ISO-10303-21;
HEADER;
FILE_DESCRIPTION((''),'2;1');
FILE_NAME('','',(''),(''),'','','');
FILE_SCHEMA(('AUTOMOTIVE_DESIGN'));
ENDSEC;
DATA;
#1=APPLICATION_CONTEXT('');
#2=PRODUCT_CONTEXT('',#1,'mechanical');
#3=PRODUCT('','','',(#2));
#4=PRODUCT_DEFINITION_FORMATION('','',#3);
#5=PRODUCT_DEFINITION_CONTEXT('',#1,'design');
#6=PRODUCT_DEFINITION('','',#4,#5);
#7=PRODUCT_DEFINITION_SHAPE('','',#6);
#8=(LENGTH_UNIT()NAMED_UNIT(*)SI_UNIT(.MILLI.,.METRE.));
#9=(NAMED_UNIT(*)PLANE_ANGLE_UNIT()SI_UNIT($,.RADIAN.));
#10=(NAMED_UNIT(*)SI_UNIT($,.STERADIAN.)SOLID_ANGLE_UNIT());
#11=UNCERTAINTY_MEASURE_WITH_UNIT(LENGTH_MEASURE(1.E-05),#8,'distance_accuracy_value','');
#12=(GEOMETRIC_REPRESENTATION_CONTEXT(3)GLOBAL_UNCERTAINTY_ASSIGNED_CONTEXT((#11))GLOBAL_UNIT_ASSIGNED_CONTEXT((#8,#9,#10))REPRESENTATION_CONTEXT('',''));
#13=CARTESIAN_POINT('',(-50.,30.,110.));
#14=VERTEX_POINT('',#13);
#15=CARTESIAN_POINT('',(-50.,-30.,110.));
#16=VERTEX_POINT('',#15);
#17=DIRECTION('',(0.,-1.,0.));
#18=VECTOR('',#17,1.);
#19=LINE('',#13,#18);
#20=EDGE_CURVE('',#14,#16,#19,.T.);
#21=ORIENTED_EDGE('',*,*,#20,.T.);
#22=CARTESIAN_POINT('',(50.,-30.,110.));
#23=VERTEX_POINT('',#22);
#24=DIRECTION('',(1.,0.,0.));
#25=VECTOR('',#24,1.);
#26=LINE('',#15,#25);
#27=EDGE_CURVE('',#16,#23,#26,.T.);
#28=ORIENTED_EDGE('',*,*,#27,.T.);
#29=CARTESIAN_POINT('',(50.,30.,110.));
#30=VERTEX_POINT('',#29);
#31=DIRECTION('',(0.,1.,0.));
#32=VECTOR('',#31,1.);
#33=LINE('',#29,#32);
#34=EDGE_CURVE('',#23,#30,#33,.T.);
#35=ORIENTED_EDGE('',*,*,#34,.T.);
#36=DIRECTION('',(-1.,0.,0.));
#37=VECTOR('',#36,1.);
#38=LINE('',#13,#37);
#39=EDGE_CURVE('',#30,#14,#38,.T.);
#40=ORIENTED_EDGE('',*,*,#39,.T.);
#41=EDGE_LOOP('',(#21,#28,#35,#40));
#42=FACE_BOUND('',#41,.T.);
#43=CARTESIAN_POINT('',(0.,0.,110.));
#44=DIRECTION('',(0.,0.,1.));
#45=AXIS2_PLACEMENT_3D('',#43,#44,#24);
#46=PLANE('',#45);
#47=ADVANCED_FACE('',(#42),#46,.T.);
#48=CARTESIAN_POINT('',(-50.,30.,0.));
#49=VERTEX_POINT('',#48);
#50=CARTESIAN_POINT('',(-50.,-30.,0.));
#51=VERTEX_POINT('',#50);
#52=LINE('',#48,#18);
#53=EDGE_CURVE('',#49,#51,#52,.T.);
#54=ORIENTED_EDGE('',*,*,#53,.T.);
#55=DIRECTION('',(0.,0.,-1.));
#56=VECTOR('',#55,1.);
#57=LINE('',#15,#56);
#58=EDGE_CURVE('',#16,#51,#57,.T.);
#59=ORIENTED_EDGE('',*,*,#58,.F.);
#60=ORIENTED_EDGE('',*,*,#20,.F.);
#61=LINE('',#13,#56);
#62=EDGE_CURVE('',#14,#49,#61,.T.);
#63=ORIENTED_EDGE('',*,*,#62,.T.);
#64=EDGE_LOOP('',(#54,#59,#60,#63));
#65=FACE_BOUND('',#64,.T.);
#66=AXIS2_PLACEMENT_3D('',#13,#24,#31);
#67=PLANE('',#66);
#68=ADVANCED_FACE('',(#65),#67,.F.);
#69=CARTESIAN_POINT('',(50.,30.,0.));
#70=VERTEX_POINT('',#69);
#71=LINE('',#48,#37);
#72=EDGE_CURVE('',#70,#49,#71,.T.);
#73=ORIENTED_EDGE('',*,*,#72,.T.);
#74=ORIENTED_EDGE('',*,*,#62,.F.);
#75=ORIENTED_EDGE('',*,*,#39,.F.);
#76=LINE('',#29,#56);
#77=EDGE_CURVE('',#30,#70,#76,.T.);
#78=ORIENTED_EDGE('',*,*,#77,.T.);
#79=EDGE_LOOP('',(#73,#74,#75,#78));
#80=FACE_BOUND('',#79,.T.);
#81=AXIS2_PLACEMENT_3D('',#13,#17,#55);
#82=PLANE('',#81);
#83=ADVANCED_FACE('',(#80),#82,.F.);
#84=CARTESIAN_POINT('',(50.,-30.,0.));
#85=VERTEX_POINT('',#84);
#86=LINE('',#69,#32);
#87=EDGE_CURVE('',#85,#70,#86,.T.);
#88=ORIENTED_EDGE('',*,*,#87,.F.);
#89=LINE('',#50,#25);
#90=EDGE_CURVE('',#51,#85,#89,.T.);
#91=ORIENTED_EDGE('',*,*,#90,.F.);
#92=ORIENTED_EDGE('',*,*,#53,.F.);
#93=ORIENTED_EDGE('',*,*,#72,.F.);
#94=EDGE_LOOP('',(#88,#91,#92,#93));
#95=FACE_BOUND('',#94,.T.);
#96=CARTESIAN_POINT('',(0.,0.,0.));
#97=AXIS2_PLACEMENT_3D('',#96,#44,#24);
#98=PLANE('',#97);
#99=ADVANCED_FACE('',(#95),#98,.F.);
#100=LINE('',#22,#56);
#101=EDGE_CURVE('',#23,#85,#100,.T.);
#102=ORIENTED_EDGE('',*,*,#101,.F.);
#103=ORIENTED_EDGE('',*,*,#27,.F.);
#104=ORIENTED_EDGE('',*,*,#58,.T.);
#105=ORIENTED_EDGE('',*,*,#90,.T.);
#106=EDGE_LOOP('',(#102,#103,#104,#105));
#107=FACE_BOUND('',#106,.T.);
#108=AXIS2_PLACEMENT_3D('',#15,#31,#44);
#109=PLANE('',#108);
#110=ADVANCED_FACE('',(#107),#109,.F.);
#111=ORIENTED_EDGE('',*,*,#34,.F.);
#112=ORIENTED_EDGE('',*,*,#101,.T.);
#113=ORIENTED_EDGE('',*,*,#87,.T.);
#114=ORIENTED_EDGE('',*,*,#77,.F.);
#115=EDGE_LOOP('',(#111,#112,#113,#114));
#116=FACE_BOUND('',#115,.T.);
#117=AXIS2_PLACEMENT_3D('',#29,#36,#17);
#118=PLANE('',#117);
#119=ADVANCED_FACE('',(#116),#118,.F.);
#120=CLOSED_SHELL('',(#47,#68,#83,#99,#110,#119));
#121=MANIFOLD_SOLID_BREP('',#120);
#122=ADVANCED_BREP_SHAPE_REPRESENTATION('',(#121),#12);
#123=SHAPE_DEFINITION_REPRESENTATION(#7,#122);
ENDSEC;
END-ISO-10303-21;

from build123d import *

# Parameters (mm, degrees)
SCHIZZO1_W                   = 100
SCHIZZO1_H                   = 60
ESTRUSIONE_ESTRUSIONE1_DEPTH = 110


with BuildPart() as part:
    # Schizzo1 → Estrusione-Estrusione1 (new body)
    with BuildSketch(Plane.XY):
        Rectangle(SCHIZZO1_W, SCHIZZO1_H)
    extrude(amount=ESTRUSIONE_ESTRUSIONE1_DEPTH)


solid = part.part
